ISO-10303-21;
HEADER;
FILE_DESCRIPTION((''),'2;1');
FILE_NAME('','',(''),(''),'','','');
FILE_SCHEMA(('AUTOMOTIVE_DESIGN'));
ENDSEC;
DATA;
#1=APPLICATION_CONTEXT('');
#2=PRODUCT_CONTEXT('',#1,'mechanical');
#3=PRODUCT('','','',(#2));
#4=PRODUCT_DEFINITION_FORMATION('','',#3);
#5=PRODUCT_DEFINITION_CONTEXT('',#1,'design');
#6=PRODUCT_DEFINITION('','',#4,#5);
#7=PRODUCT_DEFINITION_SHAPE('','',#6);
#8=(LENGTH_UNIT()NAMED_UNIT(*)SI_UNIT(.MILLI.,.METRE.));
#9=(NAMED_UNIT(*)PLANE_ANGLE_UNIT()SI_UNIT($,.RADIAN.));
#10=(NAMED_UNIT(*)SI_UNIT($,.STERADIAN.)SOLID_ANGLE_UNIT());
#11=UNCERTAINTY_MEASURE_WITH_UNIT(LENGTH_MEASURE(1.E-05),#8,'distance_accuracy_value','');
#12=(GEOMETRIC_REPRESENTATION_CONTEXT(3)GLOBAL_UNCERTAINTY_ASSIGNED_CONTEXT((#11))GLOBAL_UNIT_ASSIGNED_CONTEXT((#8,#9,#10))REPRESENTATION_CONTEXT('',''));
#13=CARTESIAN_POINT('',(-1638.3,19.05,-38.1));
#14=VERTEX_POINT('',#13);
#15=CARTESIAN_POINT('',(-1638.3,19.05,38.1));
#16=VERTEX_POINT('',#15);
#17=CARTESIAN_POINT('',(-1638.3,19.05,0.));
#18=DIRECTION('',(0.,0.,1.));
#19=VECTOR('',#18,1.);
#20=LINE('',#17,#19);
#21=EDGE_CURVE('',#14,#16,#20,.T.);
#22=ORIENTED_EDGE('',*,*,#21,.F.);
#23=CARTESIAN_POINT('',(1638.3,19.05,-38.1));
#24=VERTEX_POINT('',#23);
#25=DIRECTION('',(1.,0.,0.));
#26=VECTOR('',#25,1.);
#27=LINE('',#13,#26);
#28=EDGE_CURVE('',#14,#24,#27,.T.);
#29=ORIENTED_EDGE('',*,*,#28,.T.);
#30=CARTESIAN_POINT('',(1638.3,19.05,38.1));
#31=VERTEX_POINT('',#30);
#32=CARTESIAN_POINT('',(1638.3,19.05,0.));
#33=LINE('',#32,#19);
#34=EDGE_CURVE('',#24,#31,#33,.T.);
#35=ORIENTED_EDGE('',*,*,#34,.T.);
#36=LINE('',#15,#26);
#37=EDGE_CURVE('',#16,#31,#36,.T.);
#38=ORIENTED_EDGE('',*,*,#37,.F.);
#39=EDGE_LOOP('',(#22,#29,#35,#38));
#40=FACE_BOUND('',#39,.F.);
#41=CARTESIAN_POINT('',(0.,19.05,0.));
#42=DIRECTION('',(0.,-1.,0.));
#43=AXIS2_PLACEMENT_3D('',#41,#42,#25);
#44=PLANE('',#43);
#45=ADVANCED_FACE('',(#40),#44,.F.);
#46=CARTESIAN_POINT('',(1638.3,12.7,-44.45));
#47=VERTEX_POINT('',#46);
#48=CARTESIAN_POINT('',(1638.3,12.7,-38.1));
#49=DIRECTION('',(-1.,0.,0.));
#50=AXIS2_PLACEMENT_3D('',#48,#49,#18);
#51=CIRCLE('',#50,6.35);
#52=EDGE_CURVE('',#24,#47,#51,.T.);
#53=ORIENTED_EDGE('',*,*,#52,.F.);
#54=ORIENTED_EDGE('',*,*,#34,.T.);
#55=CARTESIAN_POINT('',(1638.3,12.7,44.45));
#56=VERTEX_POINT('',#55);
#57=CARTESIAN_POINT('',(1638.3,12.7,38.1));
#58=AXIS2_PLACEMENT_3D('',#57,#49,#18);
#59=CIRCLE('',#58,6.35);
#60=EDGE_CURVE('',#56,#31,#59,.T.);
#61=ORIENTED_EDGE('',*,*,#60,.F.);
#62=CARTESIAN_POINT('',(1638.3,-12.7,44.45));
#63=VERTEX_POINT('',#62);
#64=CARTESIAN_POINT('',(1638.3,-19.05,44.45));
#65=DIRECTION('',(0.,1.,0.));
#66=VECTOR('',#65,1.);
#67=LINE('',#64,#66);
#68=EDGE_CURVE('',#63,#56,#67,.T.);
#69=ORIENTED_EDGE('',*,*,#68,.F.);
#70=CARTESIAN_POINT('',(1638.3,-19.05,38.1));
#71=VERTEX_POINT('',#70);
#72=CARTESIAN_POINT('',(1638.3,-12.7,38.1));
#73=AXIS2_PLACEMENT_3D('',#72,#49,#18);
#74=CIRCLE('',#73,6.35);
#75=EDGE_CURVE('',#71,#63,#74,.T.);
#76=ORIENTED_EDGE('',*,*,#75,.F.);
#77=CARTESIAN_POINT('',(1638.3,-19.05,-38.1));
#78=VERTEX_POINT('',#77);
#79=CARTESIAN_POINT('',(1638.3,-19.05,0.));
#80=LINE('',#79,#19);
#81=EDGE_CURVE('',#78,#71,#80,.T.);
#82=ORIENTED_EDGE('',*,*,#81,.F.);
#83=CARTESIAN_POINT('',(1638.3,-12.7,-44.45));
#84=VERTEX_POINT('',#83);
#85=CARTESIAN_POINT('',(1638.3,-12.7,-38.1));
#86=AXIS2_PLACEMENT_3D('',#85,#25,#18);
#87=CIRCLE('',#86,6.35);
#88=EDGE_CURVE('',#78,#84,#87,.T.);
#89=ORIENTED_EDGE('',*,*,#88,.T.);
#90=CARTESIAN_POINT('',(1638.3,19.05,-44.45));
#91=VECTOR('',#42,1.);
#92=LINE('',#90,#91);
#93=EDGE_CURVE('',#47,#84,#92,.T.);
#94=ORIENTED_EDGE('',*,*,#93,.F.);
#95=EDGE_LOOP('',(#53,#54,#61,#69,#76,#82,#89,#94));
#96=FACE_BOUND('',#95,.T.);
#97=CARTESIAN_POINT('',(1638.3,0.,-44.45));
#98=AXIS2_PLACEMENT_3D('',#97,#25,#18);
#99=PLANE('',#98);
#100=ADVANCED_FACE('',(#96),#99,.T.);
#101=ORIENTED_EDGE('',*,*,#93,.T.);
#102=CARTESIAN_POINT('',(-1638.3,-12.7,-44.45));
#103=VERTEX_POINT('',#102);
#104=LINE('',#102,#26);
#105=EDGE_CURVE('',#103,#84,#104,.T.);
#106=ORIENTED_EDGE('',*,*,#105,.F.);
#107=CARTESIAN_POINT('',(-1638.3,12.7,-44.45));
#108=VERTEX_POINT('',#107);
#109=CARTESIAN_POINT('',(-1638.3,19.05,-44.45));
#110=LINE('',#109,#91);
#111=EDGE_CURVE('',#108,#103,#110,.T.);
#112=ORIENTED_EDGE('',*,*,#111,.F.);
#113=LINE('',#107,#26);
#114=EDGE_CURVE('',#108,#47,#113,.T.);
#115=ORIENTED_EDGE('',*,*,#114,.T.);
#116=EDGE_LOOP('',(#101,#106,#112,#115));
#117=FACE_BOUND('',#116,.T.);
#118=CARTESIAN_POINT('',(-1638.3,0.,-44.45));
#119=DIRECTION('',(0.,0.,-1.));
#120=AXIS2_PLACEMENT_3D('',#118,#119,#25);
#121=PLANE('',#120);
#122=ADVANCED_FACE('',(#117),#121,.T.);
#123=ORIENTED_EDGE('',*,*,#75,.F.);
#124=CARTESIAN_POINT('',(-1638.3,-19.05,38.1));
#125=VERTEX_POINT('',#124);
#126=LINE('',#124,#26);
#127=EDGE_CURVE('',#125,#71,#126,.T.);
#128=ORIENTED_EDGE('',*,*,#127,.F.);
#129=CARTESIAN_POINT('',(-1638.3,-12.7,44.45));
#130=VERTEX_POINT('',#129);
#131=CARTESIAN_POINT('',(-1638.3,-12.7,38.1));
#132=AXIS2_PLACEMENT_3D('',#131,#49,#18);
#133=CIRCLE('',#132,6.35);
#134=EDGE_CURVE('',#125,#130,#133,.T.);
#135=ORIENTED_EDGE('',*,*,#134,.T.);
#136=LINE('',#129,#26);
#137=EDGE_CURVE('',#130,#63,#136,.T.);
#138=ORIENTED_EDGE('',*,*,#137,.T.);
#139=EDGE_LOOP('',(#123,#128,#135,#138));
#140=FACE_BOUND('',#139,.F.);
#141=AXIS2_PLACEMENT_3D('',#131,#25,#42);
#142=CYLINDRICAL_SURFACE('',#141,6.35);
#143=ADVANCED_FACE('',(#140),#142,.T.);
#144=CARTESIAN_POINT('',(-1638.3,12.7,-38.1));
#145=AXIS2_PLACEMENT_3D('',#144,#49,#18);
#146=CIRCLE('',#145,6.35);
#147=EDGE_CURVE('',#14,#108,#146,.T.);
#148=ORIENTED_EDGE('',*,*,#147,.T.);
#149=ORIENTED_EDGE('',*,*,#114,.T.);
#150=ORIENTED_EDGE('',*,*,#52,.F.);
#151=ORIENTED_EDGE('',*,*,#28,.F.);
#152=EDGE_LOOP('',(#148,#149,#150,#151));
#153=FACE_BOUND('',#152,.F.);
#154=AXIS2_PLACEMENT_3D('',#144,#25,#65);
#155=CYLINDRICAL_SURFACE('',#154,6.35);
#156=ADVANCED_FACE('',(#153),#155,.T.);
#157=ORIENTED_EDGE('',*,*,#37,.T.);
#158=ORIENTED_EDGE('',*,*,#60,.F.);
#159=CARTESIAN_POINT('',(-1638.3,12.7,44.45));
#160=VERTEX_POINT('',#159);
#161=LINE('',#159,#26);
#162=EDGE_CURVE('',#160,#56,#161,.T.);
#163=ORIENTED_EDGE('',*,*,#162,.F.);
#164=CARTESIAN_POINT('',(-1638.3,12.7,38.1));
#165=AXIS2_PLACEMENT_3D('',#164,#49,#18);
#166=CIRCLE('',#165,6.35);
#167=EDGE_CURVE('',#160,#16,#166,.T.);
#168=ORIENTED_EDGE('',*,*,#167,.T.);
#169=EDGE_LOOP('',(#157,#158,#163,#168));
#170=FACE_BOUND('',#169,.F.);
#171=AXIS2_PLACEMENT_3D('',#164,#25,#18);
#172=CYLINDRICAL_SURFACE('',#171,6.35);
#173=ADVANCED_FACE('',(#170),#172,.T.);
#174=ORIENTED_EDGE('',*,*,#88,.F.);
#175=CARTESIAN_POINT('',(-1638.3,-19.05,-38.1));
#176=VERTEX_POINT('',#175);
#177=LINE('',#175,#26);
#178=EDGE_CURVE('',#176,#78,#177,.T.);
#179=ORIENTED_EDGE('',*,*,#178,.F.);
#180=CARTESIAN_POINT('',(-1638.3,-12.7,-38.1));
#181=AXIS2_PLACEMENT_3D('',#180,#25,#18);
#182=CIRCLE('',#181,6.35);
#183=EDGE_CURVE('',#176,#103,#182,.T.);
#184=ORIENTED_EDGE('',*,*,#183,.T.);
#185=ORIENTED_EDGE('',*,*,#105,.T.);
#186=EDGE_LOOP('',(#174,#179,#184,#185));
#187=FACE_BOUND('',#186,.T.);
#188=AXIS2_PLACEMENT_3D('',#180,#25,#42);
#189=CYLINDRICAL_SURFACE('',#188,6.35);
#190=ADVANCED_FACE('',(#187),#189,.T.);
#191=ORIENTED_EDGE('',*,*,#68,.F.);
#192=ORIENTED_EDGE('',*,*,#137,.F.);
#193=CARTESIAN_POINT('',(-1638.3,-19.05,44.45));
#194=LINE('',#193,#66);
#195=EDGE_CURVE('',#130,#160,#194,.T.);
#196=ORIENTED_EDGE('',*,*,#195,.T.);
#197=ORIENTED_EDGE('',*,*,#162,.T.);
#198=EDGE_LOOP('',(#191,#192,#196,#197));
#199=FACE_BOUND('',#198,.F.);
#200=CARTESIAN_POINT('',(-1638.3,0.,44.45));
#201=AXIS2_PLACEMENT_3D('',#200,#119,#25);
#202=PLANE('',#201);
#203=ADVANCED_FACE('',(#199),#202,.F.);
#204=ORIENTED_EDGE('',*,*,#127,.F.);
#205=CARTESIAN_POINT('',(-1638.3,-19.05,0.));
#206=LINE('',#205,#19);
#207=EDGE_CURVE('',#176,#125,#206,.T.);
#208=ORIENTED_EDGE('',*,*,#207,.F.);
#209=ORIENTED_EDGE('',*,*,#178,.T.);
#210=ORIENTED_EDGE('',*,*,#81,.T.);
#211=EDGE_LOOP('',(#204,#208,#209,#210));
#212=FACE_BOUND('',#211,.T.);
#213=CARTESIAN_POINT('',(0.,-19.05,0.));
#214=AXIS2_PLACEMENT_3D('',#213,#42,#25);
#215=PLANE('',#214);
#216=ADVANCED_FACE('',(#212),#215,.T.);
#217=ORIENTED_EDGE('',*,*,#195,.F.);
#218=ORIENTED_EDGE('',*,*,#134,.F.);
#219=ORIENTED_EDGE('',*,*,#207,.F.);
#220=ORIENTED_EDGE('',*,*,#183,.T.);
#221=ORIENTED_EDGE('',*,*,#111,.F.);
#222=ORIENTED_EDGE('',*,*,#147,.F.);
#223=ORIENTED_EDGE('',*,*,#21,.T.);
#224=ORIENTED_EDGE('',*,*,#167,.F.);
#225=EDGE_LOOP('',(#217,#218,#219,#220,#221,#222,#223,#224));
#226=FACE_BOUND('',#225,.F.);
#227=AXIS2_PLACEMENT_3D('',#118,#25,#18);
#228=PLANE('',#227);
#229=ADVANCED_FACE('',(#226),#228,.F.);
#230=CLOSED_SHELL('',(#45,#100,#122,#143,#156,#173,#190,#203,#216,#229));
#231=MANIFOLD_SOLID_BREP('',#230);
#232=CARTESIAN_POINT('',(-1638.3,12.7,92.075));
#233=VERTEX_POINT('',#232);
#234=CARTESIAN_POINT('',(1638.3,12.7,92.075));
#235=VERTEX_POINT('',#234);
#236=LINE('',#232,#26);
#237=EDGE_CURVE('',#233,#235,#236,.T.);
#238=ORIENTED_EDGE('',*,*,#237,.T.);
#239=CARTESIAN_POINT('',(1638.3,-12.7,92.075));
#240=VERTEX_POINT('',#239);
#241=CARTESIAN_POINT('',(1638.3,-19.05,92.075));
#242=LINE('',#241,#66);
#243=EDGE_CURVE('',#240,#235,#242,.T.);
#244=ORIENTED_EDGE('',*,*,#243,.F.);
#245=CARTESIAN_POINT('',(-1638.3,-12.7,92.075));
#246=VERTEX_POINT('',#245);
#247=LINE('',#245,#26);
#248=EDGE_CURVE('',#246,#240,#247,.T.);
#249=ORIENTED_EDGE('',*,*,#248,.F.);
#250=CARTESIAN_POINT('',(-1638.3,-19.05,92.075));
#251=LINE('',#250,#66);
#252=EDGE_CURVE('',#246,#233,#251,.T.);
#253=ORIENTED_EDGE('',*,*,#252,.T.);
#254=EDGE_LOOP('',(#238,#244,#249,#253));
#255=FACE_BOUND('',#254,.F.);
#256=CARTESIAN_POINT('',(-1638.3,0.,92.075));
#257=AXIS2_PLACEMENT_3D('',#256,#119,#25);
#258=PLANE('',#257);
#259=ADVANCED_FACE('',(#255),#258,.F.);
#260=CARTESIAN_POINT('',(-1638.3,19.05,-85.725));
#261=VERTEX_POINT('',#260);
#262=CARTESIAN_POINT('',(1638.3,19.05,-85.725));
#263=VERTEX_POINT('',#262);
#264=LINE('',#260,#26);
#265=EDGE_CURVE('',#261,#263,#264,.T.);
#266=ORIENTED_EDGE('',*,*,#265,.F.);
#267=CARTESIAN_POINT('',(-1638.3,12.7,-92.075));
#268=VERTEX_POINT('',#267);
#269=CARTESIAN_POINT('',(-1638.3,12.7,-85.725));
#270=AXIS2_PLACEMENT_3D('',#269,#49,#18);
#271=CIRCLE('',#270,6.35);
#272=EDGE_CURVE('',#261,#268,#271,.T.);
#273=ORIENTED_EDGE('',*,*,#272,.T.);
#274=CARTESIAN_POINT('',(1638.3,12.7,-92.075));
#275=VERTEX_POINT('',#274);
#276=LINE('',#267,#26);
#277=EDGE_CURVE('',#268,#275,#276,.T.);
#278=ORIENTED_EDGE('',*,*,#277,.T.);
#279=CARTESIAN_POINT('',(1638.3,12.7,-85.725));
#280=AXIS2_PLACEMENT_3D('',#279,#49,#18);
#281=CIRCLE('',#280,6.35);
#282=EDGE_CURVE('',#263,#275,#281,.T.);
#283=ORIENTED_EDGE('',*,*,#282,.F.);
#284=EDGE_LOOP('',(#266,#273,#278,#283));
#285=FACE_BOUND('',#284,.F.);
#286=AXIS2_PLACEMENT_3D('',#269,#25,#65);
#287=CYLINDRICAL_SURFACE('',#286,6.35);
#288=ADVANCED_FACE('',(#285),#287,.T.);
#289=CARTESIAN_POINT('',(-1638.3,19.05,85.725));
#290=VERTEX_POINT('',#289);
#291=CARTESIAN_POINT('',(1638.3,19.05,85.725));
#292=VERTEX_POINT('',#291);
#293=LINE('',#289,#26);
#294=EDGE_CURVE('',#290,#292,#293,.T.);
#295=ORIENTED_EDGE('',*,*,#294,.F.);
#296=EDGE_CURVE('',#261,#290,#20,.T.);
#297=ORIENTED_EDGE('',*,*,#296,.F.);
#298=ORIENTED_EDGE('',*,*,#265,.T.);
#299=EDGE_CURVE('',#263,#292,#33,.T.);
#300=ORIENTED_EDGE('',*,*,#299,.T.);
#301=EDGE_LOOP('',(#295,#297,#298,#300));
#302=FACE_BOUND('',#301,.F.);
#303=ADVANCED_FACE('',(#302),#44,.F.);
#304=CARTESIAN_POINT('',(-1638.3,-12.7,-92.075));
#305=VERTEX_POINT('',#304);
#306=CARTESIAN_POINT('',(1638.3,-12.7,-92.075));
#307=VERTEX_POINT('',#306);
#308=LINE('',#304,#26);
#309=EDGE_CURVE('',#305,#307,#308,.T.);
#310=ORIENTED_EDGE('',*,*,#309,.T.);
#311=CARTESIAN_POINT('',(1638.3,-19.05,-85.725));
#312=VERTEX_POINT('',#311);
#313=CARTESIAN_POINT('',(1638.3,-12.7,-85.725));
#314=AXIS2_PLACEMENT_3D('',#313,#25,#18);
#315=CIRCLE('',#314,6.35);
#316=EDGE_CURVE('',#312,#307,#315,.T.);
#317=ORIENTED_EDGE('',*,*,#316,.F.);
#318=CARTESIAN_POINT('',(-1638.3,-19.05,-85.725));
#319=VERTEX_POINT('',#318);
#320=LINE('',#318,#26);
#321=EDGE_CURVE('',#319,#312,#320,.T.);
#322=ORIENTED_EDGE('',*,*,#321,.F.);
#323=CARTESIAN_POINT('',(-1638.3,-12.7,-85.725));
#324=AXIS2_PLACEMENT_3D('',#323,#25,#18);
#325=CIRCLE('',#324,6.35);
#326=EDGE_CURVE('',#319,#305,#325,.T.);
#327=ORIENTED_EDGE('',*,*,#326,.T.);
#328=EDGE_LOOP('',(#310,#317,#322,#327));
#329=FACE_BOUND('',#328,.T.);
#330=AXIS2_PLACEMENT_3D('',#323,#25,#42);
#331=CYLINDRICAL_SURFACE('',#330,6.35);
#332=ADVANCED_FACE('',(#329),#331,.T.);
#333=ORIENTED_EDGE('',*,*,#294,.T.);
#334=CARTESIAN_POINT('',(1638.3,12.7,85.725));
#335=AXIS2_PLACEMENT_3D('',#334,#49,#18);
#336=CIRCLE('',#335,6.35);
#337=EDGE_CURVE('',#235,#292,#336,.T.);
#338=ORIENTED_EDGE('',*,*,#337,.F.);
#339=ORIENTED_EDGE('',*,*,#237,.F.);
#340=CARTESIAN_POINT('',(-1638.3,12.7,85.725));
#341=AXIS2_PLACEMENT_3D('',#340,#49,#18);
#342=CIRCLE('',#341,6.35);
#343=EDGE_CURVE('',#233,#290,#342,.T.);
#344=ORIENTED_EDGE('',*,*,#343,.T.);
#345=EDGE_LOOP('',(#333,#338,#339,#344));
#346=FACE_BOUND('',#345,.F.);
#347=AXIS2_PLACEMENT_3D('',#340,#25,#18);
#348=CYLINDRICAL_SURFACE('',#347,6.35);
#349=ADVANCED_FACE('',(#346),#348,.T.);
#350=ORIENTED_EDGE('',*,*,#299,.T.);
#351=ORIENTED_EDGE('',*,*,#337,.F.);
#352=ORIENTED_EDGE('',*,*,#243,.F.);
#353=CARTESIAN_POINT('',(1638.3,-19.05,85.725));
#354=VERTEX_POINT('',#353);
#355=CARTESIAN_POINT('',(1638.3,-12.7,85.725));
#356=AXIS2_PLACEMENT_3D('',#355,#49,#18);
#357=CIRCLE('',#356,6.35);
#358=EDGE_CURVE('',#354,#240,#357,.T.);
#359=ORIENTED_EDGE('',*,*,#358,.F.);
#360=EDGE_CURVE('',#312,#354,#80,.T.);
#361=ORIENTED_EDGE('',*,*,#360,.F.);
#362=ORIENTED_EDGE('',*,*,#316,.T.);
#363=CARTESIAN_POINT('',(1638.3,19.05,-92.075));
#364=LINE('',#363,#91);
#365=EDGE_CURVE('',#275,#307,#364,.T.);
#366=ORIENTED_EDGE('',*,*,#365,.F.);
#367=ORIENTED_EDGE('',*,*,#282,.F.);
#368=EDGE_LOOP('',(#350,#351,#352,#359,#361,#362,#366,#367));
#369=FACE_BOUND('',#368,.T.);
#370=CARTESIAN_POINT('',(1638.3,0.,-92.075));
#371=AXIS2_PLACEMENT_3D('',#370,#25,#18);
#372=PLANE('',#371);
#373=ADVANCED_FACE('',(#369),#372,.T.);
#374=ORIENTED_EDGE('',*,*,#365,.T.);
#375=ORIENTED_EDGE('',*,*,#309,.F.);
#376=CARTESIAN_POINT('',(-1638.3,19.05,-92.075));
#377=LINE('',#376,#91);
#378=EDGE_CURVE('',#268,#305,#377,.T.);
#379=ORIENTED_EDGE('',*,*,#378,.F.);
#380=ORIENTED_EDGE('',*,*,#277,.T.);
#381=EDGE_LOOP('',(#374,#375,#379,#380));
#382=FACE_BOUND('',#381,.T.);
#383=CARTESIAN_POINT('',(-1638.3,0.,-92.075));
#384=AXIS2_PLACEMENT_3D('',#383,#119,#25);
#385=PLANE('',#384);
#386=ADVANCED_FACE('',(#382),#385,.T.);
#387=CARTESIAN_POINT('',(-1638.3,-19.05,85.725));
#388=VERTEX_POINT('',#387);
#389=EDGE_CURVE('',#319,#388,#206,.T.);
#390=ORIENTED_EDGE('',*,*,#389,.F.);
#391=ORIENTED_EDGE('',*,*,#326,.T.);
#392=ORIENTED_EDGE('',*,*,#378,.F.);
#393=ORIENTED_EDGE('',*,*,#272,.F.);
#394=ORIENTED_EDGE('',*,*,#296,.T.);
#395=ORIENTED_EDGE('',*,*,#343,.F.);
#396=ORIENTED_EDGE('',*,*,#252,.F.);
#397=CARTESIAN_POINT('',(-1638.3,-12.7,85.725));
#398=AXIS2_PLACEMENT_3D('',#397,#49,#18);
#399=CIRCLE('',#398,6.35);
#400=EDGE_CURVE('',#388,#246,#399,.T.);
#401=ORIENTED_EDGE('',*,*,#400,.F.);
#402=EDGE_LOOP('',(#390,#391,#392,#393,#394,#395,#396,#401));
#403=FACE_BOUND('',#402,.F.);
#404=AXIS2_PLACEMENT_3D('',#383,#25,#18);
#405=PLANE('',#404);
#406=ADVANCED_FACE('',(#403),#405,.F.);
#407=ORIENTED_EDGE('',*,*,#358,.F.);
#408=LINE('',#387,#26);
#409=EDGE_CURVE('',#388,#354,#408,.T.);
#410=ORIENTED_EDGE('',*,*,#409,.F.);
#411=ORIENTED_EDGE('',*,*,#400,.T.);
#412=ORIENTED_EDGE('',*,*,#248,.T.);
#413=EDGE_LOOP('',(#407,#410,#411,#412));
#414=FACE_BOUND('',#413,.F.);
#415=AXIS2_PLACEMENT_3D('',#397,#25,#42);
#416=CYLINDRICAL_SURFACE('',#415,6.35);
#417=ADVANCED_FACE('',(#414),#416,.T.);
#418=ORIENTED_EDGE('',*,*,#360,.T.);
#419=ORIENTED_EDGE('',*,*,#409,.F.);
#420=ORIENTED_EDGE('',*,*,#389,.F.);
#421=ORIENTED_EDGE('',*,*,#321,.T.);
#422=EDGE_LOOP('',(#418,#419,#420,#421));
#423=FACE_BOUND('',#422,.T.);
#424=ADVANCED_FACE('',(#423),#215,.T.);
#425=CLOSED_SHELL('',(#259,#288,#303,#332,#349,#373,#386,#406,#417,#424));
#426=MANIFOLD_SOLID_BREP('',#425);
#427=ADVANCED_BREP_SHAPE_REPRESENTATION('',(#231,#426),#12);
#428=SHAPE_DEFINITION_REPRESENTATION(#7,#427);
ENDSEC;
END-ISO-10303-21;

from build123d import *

# Parameters (mm, degrees)
F0_W     = 3276.6
F0_H     = 88.9
F1_DEPTH = 19.05
F2_R     = 6.35
F3_W     = 3276.6
F3_H     = 184.15
F4_DEPTH = 19.05
F5_R     = 6.35


with BuildPart() as f1:
    # F0 (on Front) → F1 (new body, symmetric)
    with BuildSketch(Plane.XZ):
        Rectangle(F0_W, F0_H)
    extrude(amount=F1_DEPTH, both=True)

    # F2
    f2_edges = [f1.edges().sort_by_distance(p)[0] for p in [
        (0, -19.05, 44.45),
        (0, 19.05, 44.45),
        (0, 19.05, -44.45),
        (0, -19.05, -44.45),
    ]]
    fillet(f2_edges, radius=F2_R)


with BuildPart() as f4:
    # F3 (on Front) → F4 (new body, symmetric)
    with BuildSketch(Plane.XZ):
        Rectangle(F3_W, F3_H)
    extrude(amount=F4_DEPTH, both=True)

    # F5
    f5_edges = [f4.edges().sort_by_distance(p)[0] for p in [
        (0, -19.05, 92.075),
        (0, 19.05, 92.075),
        (0, -19.05, -92.075),
        (0, 19.05, -92.075),
    ]]
    fillet(f5_edges, radius=F5_R)


solid = Compound([f1.part, f4.part])
